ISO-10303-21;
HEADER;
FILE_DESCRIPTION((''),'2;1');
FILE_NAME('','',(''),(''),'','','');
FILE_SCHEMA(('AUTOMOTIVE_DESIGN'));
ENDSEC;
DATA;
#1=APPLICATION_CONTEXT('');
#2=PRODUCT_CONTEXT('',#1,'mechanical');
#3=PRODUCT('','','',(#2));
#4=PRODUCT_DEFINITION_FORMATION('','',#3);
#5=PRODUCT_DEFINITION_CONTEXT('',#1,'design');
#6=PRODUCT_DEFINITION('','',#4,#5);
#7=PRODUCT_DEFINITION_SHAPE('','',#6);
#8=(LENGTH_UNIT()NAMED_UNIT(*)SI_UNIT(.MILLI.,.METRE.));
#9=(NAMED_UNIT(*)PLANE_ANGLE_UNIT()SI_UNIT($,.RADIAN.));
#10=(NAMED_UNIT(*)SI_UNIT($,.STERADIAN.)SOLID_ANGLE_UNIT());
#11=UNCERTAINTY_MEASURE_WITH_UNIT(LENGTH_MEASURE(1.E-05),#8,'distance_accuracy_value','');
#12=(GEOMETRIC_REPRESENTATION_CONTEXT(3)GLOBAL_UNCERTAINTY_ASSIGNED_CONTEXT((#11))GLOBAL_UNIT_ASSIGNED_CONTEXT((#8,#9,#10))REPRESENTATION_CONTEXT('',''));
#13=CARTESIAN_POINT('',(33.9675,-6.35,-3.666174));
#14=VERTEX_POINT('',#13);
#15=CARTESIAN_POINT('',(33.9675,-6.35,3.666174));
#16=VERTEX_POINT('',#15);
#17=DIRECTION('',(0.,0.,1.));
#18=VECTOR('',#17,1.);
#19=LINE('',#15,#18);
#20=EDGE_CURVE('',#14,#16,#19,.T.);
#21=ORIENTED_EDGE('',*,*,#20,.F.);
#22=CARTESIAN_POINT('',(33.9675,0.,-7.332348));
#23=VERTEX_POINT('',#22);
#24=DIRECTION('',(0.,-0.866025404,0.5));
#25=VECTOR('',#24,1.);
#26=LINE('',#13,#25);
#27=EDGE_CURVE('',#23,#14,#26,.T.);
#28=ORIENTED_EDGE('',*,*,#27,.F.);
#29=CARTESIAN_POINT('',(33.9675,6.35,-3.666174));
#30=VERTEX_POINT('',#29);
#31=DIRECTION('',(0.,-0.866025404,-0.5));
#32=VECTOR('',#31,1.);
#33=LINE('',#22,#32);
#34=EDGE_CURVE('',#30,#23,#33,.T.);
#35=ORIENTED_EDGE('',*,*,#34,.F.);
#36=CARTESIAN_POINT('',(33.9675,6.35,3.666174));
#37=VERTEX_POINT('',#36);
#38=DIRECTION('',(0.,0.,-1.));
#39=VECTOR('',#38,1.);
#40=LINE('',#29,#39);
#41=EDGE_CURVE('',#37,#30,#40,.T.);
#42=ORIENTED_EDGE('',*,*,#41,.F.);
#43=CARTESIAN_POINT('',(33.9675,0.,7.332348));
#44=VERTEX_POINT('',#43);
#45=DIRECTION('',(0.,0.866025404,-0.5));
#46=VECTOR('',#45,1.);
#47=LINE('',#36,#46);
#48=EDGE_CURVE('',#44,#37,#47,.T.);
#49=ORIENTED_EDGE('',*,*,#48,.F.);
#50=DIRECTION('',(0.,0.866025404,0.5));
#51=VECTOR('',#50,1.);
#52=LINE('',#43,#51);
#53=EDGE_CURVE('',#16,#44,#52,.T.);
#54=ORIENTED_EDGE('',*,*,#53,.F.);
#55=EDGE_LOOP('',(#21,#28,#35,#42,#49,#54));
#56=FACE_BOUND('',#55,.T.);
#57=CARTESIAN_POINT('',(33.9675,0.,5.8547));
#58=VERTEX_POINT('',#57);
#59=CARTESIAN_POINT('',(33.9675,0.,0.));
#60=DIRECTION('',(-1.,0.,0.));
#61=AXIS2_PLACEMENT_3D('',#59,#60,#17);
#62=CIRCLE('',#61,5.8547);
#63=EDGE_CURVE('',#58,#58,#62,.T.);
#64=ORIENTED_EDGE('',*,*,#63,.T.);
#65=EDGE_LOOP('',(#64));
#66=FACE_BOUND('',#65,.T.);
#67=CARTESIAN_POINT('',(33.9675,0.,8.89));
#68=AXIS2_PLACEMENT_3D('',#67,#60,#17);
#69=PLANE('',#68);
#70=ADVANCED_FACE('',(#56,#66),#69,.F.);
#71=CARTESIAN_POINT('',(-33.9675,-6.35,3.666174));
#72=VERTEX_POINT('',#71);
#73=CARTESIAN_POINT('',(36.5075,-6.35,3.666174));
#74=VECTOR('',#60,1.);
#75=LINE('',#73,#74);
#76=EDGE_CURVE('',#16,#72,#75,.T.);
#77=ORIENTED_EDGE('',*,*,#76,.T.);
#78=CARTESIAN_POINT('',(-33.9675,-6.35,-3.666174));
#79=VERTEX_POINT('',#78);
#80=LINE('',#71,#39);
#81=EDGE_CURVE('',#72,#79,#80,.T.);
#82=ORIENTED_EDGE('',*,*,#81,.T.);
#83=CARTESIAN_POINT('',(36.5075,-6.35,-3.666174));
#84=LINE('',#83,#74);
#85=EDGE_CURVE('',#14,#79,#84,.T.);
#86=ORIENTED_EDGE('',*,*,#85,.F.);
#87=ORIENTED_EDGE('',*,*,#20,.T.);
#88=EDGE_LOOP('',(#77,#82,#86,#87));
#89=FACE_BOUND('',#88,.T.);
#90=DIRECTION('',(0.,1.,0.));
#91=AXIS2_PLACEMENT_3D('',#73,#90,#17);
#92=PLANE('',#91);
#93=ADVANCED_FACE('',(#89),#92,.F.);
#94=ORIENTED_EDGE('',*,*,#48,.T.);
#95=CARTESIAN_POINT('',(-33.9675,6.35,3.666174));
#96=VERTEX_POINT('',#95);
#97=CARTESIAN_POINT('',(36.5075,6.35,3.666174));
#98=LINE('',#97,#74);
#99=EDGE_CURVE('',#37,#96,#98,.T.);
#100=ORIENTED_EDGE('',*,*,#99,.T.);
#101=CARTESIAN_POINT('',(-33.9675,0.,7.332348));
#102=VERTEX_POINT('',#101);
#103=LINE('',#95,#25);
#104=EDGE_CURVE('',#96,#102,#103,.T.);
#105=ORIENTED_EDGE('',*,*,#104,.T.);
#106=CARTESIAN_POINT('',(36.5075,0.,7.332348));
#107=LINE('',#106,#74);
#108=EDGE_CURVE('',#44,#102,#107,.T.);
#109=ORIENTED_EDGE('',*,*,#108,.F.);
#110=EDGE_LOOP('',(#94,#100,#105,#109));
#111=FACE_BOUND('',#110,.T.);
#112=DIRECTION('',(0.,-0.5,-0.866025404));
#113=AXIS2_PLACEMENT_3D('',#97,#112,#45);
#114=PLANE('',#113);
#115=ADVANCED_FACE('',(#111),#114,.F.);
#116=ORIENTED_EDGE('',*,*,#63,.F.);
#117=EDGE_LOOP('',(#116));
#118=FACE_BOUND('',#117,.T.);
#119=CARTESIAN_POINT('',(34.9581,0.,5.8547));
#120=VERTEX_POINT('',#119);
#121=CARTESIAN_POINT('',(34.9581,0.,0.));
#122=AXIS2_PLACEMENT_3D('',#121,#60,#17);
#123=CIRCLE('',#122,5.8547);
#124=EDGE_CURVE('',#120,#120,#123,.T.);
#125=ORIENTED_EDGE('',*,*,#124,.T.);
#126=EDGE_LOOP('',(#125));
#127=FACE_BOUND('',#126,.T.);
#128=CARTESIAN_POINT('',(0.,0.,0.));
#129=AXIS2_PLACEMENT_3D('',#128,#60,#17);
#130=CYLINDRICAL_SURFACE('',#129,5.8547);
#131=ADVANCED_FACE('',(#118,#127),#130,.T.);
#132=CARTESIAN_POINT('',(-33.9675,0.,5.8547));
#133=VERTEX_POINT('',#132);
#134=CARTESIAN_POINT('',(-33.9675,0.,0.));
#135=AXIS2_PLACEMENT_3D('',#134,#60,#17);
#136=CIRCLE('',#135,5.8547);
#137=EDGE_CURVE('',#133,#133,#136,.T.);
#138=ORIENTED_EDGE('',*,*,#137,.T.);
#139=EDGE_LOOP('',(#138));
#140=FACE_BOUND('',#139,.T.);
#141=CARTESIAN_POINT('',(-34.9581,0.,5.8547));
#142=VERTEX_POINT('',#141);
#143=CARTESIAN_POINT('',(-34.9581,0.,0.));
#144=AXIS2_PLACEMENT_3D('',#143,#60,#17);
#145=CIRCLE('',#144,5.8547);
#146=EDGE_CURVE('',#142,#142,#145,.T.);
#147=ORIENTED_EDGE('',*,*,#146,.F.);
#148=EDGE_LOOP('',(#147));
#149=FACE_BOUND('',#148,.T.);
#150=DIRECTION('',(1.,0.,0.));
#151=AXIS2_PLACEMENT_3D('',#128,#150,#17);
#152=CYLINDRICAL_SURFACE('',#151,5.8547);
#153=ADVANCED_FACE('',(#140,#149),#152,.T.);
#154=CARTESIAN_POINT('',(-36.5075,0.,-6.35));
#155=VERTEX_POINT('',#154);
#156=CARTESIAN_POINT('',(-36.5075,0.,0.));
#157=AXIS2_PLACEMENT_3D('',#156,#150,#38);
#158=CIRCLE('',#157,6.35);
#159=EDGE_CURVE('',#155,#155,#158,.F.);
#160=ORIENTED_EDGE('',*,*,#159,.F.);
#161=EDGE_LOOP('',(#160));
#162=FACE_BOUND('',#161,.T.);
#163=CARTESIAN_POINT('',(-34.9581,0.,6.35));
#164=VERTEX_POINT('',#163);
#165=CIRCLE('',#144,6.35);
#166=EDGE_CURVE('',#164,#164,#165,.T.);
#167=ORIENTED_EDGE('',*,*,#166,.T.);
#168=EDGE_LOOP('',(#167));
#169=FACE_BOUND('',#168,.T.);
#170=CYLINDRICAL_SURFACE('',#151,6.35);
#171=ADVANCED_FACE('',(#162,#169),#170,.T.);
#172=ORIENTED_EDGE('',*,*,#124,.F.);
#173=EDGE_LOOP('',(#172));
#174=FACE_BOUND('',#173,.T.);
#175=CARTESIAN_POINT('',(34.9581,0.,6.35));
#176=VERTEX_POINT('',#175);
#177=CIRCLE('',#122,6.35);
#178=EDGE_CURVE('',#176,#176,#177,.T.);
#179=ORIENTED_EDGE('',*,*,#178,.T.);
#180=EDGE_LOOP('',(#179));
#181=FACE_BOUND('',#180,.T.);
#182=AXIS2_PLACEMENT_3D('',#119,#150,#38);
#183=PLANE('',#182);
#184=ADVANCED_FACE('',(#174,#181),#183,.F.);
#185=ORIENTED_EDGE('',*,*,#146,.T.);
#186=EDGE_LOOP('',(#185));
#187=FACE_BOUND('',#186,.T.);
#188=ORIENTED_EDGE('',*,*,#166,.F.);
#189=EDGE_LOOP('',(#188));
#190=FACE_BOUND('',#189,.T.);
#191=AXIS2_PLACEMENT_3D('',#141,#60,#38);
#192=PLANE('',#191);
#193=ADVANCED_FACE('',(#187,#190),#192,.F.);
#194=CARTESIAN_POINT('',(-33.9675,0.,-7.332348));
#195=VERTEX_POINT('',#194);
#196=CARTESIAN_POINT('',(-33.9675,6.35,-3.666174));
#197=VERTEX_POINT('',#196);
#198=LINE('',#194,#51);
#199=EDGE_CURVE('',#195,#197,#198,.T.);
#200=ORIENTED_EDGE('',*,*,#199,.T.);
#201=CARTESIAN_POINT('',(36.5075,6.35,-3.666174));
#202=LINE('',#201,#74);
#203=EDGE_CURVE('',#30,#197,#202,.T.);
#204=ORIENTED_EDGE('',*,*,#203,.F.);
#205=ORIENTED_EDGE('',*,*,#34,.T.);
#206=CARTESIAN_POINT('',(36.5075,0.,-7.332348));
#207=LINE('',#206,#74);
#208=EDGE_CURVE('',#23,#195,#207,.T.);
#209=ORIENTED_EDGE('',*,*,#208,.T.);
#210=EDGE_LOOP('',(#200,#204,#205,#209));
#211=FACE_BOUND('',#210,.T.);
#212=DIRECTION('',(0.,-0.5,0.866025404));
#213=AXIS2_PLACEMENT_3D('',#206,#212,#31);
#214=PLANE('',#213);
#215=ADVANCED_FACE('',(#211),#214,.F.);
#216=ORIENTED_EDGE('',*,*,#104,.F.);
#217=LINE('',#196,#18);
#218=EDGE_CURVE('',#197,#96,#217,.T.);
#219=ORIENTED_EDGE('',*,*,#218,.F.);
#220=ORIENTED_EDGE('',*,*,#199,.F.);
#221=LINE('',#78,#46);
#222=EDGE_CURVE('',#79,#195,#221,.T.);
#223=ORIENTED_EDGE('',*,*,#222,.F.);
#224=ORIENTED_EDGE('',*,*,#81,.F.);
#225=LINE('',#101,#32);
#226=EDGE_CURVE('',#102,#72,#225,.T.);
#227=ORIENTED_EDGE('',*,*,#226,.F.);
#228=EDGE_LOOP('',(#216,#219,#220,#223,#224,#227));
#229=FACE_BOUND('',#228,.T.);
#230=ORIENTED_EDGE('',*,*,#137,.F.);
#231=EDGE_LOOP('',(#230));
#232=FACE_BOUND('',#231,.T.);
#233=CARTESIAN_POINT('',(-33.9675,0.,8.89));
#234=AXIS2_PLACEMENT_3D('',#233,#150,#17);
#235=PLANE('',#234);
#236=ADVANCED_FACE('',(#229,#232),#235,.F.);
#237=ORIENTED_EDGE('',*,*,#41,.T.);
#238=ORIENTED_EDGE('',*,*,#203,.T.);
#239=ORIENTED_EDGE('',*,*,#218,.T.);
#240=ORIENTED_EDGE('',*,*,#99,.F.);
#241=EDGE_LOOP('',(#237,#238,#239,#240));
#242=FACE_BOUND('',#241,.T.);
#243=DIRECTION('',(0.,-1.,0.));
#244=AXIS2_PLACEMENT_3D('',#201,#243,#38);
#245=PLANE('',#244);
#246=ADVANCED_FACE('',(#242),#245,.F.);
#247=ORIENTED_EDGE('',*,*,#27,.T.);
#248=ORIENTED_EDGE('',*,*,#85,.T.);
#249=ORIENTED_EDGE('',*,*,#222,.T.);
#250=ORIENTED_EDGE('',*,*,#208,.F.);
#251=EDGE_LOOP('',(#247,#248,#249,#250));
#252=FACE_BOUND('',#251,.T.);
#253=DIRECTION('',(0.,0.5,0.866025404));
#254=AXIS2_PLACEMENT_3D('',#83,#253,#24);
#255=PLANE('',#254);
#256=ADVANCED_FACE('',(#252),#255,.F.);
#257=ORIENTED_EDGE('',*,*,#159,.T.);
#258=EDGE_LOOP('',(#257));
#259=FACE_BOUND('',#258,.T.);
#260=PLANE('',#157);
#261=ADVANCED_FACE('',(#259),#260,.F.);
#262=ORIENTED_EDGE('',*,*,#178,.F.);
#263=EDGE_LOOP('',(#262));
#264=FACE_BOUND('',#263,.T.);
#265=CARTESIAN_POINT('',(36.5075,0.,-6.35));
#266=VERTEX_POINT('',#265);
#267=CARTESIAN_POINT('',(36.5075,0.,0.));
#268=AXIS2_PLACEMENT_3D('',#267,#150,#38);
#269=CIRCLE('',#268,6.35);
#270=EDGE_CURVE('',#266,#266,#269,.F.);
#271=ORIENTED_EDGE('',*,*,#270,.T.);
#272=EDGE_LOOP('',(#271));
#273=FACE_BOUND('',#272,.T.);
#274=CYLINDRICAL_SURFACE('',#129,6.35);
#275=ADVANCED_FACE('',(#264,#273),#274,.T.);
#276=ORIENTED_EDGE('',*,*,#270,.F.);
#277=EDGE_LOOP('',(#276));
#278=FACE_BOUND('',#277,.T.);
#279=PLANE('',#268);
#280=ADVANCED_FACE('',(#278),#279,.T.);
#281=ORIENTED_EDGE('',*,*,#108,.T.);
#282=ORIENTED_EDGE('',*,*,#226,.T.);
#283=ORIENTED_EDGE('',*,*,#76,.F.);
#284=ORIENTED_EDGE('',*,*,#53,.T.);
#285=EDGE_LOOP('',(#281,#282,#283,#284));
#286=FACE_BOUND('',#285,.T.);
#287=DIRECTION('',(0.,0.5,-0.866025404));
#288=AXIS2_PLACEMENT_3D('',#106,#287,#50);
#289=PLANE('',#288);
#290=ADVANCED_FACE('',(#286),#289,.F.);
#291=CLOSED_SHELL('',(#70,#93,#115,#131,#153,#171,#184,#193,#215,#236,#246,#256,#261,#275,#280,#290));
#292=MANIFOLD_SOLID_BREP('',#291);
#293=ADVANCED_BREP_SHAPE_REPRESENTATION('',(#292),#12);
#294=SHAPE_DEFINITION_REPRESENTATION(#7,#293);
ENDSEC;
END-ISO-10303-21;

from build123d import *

# Parameters (mm, degrees)
BOSS_EXTRUDE1_DEPTH = 36.50750001


with BuildPart() as part:
    # Sketch1 → Boss-Extrude1 (new, symmetric)
    with BuildSketch(Plane(origin=(0, 0, 0), x_dir=(0, 0, -1), z_dir=(1, 0, 0))):
        Polygon((7.332348419, 0), (3.666174209, 6.35), (-3.666174209, 6.35), (-7.332348419, 0), (-3.666174209, -6.35), (3.666174209, -6.35), align=None)
    extrude(amount=BOSS_EXTRUDE1_DEPTH, both=True)

    # Sketch2 → Cut-Revolve1 (revolve, cut)
    with BuildSketch(Plane(origin=(0, 0, 0), x_dir=(1, 0, 0), z_dir=(0, 1, 0))):
        Polygon((33.96750001, -5.8547), (34.95810001, -5.8547), (34.95810001, -6.35), (36.50750001, -6.35), (36.50750001, -8.89), (33.96750001, -8.89), align=None)
    cut_revolve1 = revolve(axis=Axis((0, 0, 0), (1, 0, 0)), mode=Mode.SUBTRACT)

    # Mirror1: Cut-Revolve1 across plane
    add(cut_revolve1.mirror(Plane(origin=(0, 0, 0), x_dir=(0, 0, 1), z_dir=(1, 0, 0))), mode=Mode.SUBTRACT)


solid = part.part
